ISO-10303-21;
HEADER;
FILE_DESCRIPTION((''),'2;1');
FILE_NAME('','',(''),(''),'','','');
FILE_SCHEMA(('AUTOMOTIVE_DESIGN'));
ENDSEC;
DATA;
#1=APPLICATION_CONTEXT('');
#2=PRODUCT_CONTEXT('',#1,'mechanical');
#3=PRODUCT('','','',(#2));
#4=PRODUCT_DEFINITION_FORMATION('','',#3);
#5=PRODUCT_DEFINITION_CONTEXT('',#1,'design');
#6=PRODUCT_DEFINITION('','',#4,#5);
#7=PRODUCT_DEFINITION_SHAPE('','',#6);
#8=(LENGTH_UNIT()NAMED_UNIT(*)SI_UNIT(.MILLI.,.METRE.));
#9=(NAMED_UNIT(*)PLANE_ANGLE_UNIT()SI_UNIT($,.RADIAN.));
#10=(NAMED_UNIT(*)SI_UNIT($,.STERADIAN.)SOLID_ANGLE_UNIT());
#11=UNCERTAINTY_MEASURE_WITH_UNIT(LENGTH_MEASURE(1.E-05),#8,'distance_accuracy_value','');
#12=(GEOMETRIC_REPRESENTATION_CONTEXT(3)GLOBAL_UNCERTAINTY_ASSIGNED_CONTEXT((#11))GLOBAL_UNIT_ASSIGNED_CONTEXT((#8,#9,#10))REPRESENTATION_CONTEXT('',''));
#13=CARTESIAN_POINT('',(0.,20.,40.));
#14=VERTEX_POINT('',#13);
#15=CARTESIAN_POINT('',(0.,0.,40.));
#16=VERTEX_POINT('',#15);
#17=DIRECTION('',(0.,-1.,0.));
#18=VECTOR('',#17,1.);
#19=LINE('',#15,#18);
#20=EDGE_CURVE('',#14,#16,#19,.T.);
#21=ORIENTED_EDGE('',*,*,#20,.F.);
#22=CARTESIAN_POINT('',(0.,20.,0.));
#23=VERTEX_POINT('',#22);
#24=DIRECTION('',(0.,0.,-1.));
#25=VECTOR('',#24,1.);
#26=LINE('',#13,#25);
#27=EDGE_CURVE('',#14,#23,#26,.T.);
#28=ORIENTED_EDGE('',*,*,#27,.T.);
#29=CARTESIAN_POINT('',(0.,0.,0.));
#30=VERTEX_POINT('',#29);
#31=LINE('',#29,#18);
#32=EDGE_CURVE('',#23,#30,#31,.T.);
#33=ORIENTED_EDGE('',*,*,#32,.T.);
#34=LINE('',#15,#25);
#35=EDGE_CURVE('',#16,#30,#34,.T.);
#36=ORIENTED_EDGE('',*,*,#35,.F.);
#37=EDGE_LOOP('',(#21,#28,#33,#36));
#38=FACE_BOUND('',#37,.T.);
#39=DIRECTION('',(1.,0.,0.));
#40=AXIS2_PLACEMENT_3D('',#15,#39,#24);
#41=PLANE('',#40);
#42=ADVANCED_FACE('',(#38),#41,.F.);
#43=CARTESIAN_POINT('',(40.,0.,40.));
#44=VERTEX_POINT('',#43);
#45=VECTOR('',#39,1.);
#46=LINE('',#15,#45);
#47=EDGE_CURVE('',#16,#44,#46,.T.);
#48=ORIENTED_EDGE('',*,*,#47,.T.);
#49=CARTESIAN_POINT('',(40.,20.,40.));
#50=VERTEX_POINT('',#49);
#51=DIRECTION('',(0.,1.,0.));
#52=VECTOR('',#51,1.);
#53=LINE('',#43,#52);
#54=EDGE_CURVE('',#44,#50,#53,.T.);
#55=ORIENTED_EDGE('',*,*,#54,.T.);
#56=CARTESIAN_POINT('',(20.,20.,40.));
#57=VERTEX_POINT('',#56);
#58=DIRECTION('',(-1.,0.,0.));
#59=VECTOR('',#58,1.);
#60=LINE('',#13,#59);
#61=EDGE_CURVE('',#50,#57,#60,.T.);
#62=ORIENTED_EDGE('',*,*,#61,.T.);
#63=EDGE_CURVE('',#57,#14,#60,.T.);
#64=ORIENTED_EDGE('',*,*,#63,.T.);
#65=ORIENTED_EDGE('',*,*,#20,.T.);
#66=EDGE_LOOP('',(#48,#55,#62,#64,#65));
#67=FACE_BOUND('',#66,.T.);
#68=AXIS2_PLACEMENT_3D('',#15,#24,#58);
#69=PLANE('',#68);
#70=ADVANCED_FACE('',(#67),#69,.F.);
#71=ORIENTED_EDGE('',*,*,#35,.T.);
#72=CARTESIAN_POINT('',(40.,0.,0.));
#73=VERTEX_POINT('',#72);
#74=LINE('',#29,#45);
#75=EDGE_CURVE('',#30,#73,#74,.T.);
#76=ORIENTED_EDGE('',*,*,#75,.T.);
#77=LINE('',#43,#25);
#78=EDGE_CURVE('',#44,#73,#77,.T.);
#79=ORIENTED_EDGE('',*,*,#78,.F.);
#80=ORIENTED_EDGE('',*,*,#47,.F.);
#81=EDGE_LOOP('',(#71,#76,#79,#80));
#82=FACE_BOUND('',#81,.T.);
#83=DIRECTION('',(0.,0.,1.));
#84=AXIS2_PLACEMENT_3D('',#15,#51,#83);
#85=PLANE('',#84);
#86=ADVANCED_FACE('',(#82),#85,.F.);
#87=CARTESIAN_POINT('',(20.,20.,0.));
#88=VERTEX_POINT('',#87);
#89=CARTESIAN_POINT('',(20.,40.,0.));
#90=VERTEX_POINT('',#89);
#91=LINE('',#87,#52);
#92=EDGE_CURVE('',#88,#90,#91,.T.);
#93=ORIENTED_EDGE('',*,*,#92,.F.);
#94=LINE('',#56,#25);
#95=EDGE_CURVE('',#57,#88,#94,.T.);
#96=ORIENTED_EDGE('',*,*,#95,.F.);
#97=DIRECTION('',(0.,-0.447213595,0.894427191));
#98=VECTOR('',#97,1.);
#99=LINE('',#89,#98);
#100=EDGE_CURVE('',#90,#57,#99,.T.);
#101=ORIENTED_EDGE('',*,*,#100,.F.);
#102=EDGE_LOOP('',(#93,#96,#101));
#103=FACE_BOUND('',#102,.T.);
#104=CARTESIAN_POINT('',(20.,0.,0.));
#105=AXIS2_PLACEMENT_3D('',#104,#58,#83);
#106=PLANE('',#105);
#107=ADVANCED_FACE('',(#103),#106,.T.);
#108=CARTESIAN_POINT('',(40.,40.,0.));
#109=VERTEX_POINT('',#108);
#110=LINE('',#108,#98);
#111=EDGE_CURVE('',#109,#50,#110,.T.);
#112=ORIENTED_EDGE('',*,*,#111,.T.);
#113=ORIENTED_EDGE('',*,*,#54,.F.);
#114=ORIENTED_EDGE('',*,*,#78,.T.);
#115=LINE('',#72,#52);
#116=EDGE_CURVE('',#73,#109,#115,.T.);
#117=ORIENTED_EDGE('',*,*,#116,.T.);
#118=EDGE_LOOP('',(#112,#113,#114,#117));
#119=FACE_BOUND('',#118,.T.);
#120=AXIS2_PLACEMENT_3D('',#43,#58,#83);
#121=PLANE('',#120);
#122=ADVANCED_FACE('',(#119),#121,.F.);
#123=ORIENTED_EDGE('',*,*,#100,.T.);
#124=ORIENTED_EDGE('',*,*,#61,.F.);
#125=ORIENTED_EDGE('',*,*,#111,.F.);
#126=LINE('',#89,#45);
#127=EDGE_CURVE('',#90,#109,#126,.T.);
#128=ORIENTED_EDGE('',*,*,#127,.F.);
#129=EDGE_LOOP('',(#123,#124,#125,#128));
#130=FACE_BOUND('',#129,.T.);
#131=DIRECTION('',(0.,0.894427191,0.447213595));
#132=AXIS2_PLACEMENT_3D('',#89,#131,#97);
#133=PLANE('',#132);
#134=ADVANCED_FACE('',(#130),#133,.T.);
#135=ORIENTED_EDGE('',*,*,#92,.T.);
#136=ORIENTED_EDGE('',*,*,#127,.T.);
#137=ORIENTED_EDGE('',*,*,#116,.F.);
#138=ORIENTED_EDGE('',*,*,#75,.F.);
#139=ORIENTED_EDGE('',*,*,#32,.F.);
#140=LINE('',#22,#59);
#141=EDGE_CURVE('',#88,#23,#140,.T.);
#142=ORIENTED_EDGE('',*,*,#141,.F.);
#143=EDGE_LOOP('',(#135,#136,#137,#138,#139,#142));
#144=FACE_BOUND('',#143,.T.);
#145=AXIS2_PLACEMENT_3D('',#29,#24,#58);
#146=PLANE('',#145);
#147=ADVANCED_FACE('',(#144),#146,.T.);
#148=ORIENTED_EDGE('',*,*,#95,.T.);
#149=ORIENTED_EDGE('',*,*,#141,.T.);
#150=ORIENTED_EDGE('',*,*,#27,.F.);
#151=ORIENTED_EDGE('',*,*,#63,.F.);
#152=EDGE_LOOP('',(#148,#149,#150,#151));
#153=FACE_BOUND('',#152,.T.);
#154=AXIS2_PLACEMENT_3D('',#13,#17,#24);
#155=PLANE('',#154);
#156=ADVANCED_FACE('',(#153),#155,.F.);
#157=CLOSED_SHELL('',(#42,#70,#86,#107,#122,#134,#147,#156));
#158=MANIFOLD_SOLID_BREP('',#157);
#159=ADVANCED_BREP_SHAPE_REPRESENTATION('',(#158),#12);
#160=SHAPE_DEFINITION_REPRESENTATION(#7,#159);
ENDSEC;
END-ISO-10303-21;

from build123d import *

# Parameters (mm, degrees)
SKETCH1_W           = 40
SKETCH1_H           = 20
BOSS_EXTRUDE1_DEPTH = 40
BOSS_EXTRUDE2_DEPTH = 20


with BuildPart() as part:
    # Sketch1 → Boss-Extrude1 (new body)
    with BuildSketch(Plane.XY):
        with Locations((20, 10)):
            Rectangle(SKETCH1_W, SKETCH1_H)
    extrude(amount=BOSS_EXTRUDE1_DEPTH)

    # Sketch2 → Boss-Extrude2 (add)
    with BuildSketch(Plane(origin=(40, 0, 0), x_dir=(0, 0, -1), z_dir=(1, 0, 0))):
        Polygon((-40, 20), (0, 20), (0, 40), align=None)
    extrude(amount=-BOSS_EXTRUDE2_DEPTH)


solid = part.part
